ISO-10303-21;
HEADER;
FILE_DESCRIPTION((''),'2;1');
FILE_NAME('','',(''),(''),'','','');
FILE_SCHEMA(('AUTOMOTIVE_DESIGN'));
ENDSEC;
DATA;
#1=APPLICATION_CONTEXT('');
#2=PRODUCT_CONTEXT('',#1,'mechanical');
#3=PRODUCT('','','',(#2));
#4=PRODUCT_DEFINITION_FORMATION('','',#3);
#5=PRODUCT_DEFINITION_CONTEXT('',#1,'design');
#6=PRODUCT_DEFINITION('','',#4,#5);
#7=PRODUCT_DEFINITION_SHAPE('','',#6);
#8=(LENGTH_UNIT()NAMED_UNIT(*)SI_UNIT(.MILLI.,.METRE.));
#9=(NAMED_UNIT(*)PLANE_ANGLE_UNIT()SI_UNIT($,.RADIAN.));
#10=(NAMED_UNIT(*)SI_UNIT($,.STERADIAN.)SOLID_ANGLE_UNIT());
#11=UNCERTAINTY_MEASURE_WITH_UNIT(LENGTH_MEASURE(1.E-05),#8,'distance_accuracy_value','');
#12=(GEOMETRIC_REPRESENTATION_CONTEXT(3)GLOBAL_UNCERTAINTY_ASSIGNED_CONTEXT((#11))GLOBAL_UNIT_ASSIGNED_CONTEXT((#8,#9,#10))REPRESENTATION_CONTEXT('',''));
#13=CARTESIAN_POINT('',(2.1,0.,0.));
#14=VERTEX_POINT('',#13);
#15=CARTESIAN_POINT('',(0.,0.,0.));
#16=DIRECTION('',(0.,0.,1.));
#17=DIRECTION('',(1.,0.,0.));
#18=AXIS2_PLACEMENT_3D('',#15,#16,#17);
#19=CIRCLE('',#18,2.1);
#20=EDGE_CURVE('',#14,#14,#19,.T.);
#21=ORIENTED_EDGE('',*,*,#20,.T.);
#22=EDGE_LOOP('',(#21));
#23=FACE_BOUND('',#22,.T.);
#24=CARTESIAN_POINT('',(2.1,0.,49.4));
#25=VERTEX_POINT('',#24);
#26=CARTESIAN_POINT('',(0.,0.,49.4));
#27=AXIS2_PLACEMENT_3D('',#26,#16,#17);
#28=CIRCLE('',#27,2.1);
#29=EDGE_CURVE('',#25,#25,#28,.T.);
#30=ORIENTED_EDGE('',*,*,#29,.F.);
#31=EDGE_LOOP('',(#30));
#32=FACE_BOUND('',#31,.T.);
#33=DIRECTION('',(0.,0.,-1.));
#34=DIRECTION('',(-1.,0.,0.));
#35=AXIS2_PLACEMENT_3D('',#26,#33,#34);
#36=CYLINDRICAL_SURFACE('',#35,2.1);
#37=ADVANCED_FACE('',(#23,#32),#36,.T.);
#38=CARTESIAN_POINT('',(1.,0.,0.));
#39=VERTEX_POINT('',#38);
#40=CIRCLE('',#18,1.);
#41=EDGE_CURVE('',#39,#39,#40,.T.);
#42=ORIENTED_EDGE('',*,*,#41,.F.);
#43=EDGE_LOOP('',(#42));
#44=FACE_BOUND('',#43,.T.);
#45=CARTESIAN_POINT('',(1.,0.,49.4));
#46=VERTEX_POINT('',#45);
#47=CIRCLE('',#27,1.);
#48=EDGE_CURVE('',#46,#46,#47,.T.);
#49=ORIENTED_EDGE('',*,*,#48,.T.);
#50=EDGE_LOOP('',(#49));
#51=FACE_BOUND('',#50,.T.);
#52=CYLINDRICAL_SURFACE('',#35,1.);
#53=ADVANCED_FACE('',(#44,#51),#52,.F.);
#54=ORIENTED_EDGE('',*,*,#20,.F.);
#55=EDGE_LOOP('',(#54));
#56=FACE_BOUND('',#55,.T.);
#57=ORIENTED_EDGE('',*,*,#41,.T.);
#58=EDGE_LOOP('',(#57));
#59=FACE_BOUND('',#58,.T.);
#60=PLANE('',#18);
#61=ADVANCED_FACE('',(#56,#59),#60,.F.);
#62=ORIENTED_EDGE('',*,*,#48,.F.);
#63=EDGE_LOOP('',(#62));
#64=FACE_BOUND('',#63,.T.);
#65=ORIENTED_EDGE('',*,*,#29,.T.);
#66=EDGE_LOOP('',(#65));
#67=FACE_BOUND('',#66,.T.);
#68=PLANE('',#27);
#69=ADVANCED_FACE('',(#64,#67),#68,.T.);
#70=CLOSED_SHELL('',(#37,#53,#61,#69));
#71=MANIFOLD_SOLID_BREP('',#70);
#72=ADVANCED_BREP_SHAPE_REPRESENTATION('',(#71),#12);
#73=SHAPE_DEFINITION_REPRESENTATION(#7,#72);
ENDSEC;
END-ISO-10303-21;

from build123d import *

# Parameters (mm, degrees)
ESBO_O1_R                = 2.1
ESBO_O1_R_2              = 1
RESSALTO_EXTRUS_O1_DEPTH = 49.4


with BuildPart() as part:
    # Esboço1 → Ressalto-extrusão1 (new body)
    with BuildSketch(Plane.XY):
        Circle(ESBO_O1_R)
        Circle(ESBO_O1_R_2, mode=Mode.SUBTRACT)
    extrude(amount=RESSALTO_EXTRUS_O1_DEPTH)


solid = part.part
